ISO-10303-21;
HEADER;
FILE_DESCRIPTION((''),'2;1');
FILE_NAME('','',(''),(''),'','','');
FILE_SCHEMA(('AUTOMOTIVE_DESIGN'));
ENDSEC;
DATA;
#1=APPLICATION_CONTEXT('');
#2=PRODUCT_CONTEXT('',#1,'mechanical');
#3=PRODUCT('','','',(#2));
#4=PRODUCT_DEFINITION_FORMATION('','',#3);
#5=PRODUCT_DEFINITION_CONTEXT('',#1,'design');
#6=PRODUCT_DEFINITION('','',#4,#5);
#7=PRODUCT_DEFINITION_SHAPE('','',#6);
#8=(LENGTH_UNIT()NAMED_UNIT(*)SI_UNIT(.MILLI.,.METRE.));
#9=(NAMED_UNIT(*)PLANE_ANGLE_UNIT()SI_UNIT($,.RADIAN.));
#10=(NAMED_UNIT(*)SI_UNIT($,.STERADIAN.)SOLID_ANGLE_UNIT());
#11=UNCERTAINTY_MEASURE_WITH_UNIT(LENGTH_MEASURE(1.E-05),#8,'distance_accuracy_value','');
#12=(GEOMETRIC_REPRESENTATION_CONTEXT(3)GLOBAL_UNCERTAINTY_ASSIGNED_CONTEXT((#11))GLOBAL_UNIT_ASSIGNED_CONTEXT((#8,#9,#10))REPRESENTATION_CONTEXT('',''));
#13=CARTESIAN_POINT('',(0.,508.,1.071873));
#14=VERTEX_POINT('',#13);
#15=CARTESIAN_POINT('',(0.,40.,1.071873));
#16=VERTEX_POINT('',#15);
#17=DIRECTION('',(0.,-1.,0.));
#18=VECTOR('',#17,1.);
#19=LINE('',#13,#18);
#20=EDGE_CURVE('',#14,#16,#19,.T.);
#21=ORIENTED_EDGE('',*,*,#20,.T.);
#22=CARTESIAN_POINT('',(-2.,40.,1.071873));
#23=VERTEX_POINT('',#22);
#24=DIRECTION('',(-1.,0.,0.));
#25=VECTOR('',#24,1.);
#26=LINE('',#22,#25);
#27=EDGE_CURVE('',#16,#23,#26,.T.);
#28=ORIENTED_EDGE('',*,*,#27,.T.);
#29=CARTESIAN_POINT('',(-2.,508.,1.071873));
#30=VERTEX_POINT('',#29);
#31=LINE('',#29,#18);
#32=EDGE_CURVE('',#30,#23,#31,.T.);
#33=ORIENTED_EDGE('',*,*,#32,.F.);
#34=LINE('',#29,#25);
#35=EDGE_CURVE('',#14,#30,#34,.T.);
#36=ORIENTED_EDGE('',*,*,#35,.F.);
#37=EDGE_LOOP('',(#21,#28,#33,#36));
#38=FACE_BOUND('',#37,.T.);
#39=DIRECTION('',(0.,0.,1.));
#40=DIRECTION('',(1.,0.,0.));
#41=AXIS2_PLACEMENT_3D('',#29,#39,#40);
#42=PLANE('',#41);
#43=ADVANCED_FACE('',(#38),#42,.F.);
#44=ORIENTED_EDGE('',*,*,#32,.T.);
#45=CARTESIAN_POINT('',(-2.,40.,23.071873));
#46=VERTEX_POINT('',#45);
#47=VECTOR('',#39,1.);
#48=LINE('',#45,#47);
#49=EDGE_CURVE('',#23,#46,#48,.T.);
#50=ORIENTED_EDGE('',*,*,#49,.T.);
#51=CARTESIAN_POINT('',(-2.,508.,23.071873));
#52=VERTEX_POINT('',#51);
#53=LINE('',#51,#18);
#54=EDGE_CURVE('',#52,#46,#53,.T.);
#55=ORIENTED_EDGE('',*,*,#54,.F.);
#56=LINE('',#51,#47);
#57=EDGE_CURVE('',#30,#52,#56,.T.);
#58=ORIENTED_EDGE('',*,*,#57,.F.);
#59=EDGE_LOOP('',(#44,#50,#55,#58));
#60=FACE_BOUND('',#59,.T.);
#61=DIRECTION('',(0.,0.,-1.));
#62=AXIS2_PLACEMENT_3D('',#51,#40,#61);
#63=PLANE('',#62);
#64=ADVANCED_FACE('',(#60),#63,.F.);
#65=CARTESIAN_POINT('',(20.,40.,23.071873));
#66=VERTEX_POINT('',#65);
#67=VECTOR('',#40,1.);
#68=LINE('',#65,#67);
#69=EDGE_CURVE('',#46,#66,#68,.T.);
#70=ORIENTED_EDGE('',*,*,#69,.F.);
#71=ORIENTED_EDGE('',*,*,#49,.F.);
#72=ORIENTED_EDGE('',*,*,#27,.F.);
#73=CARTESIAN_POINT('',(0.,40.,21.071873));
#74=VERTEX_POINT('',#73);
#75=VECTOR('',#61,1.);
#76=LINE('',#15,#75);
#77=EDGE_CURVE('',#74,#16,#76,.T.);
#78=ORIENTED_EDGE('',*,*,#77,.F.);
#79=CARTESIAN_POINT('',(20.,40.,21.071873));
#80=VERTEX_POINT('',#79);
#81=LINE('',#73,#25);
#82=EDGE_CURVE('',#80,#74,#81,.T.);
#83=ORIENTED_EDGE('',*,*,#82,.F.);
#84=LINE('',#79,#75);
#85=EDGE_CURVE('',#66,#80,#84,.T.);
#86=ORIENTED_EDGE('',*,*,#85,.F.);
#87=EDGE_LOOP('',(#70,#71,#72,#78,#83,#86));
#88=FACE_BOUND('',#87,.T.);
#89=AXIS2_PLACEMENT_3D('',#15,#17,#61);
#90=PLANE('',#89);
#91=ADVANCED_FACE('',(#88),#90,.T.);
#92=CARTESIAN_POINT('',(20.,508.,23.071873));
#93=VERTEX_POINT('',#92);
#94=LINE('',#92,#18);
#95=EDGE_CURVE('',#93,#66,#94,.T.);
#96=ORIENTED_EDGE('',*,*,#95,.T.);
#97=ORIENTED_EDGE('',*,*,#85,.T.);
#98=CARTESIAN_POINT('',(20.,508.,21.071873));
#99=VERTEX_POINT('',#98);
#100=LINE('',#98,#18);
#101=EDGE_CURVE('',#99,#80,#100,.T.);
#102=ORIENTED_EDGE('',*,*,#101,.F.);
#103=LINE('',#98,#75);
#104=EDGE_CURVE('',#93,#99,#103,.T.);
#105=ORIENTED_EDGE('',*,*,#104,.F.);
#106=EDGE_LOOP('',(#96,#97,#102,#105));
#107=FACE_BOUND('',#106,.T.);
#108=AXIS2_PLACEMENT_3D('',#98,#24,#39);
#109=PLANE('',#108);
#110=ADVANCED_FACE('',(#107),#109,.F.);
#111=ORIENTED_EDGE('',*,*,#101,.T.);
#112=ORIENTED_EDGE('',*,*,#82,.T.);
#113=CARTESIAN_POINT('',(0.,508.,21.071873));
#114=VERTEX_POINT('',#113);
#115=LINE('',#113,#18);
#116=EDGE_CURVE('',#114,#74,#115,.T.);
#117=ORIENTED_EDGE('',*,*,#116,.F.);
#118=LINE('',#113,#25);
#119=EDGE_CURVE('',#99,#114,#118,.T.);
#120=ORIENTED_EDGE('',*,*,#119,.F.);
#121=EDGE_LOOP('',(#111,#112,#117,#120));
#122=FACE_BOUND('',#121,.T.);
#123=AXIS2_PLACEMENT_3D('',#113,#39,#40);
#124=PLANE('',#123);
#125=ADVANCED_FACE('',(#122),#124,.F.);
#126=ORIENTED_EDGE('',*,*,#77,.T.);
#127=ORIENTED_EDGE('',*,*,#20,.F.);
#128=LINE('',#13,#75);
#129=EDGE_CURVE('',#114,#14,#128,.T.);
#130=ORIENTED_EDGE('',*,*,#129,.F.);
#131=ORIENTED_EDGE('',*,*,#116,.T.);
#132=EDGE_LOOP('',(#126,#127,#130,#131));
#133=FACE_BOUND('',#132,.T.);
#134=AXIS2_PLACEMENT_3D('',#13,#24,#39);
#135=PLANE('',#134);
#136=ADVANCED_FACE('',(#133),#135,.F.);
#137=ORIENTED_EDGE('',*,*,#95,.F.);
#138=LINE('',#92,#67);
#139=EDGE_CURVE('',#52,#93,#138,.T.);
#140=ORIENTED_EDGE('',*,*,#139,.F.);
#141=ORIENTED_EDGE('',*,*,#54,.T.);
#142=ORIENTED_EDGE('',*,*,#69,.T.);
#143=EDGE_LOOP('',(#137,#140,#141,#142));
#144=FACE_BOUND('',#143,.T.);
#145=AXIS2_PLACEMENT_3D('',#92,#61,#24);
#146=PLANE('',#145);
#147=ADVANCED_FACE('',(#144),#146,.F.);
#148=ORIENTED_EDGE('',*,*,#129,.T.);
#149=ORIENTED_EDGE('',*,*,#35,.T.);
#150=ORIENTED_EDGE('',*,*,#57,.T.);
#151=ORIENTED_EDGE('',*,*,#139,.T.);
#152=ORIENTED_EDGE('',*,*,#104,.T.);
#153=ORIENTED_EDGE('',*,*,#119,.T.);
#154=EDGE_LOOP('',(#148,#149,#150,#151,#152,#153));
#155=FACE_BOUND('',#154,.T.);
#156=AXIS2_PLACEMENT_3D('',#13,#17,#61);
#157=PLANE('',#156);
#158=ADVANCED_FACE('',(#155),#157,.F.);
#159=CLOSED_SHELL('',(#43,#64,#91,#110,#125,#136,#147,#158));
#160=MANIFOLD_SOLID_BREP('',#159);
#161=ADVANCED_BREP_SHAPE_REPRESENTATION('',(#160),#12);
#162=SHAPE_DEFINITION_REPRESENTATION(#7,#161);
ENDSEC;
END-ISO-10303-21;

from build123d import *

# Parameters (mm, degrees)
EXTRUDE_START   = 40
EXTRUDE_1_DEPTH = 468


with BuildPart() as part:
    # Эскиз1 → Вытянуть1 (new body)
    with BuildSketch(Plane(origin=(0, 0, 0), x_dir=(1, 0, 0), z_dir=(0, 1, 0)).offset(EXTRUDE_START)):
        Polygon((0, -1.071873395), (0, -21.071873395), (20, -21.071873395), (20, -23.071873395), (-2, -23.071873395), (-2, -1.071873395), align=None)
    extrude(amount=EXTRUDE_1_DEPTH)


solid = part.part
